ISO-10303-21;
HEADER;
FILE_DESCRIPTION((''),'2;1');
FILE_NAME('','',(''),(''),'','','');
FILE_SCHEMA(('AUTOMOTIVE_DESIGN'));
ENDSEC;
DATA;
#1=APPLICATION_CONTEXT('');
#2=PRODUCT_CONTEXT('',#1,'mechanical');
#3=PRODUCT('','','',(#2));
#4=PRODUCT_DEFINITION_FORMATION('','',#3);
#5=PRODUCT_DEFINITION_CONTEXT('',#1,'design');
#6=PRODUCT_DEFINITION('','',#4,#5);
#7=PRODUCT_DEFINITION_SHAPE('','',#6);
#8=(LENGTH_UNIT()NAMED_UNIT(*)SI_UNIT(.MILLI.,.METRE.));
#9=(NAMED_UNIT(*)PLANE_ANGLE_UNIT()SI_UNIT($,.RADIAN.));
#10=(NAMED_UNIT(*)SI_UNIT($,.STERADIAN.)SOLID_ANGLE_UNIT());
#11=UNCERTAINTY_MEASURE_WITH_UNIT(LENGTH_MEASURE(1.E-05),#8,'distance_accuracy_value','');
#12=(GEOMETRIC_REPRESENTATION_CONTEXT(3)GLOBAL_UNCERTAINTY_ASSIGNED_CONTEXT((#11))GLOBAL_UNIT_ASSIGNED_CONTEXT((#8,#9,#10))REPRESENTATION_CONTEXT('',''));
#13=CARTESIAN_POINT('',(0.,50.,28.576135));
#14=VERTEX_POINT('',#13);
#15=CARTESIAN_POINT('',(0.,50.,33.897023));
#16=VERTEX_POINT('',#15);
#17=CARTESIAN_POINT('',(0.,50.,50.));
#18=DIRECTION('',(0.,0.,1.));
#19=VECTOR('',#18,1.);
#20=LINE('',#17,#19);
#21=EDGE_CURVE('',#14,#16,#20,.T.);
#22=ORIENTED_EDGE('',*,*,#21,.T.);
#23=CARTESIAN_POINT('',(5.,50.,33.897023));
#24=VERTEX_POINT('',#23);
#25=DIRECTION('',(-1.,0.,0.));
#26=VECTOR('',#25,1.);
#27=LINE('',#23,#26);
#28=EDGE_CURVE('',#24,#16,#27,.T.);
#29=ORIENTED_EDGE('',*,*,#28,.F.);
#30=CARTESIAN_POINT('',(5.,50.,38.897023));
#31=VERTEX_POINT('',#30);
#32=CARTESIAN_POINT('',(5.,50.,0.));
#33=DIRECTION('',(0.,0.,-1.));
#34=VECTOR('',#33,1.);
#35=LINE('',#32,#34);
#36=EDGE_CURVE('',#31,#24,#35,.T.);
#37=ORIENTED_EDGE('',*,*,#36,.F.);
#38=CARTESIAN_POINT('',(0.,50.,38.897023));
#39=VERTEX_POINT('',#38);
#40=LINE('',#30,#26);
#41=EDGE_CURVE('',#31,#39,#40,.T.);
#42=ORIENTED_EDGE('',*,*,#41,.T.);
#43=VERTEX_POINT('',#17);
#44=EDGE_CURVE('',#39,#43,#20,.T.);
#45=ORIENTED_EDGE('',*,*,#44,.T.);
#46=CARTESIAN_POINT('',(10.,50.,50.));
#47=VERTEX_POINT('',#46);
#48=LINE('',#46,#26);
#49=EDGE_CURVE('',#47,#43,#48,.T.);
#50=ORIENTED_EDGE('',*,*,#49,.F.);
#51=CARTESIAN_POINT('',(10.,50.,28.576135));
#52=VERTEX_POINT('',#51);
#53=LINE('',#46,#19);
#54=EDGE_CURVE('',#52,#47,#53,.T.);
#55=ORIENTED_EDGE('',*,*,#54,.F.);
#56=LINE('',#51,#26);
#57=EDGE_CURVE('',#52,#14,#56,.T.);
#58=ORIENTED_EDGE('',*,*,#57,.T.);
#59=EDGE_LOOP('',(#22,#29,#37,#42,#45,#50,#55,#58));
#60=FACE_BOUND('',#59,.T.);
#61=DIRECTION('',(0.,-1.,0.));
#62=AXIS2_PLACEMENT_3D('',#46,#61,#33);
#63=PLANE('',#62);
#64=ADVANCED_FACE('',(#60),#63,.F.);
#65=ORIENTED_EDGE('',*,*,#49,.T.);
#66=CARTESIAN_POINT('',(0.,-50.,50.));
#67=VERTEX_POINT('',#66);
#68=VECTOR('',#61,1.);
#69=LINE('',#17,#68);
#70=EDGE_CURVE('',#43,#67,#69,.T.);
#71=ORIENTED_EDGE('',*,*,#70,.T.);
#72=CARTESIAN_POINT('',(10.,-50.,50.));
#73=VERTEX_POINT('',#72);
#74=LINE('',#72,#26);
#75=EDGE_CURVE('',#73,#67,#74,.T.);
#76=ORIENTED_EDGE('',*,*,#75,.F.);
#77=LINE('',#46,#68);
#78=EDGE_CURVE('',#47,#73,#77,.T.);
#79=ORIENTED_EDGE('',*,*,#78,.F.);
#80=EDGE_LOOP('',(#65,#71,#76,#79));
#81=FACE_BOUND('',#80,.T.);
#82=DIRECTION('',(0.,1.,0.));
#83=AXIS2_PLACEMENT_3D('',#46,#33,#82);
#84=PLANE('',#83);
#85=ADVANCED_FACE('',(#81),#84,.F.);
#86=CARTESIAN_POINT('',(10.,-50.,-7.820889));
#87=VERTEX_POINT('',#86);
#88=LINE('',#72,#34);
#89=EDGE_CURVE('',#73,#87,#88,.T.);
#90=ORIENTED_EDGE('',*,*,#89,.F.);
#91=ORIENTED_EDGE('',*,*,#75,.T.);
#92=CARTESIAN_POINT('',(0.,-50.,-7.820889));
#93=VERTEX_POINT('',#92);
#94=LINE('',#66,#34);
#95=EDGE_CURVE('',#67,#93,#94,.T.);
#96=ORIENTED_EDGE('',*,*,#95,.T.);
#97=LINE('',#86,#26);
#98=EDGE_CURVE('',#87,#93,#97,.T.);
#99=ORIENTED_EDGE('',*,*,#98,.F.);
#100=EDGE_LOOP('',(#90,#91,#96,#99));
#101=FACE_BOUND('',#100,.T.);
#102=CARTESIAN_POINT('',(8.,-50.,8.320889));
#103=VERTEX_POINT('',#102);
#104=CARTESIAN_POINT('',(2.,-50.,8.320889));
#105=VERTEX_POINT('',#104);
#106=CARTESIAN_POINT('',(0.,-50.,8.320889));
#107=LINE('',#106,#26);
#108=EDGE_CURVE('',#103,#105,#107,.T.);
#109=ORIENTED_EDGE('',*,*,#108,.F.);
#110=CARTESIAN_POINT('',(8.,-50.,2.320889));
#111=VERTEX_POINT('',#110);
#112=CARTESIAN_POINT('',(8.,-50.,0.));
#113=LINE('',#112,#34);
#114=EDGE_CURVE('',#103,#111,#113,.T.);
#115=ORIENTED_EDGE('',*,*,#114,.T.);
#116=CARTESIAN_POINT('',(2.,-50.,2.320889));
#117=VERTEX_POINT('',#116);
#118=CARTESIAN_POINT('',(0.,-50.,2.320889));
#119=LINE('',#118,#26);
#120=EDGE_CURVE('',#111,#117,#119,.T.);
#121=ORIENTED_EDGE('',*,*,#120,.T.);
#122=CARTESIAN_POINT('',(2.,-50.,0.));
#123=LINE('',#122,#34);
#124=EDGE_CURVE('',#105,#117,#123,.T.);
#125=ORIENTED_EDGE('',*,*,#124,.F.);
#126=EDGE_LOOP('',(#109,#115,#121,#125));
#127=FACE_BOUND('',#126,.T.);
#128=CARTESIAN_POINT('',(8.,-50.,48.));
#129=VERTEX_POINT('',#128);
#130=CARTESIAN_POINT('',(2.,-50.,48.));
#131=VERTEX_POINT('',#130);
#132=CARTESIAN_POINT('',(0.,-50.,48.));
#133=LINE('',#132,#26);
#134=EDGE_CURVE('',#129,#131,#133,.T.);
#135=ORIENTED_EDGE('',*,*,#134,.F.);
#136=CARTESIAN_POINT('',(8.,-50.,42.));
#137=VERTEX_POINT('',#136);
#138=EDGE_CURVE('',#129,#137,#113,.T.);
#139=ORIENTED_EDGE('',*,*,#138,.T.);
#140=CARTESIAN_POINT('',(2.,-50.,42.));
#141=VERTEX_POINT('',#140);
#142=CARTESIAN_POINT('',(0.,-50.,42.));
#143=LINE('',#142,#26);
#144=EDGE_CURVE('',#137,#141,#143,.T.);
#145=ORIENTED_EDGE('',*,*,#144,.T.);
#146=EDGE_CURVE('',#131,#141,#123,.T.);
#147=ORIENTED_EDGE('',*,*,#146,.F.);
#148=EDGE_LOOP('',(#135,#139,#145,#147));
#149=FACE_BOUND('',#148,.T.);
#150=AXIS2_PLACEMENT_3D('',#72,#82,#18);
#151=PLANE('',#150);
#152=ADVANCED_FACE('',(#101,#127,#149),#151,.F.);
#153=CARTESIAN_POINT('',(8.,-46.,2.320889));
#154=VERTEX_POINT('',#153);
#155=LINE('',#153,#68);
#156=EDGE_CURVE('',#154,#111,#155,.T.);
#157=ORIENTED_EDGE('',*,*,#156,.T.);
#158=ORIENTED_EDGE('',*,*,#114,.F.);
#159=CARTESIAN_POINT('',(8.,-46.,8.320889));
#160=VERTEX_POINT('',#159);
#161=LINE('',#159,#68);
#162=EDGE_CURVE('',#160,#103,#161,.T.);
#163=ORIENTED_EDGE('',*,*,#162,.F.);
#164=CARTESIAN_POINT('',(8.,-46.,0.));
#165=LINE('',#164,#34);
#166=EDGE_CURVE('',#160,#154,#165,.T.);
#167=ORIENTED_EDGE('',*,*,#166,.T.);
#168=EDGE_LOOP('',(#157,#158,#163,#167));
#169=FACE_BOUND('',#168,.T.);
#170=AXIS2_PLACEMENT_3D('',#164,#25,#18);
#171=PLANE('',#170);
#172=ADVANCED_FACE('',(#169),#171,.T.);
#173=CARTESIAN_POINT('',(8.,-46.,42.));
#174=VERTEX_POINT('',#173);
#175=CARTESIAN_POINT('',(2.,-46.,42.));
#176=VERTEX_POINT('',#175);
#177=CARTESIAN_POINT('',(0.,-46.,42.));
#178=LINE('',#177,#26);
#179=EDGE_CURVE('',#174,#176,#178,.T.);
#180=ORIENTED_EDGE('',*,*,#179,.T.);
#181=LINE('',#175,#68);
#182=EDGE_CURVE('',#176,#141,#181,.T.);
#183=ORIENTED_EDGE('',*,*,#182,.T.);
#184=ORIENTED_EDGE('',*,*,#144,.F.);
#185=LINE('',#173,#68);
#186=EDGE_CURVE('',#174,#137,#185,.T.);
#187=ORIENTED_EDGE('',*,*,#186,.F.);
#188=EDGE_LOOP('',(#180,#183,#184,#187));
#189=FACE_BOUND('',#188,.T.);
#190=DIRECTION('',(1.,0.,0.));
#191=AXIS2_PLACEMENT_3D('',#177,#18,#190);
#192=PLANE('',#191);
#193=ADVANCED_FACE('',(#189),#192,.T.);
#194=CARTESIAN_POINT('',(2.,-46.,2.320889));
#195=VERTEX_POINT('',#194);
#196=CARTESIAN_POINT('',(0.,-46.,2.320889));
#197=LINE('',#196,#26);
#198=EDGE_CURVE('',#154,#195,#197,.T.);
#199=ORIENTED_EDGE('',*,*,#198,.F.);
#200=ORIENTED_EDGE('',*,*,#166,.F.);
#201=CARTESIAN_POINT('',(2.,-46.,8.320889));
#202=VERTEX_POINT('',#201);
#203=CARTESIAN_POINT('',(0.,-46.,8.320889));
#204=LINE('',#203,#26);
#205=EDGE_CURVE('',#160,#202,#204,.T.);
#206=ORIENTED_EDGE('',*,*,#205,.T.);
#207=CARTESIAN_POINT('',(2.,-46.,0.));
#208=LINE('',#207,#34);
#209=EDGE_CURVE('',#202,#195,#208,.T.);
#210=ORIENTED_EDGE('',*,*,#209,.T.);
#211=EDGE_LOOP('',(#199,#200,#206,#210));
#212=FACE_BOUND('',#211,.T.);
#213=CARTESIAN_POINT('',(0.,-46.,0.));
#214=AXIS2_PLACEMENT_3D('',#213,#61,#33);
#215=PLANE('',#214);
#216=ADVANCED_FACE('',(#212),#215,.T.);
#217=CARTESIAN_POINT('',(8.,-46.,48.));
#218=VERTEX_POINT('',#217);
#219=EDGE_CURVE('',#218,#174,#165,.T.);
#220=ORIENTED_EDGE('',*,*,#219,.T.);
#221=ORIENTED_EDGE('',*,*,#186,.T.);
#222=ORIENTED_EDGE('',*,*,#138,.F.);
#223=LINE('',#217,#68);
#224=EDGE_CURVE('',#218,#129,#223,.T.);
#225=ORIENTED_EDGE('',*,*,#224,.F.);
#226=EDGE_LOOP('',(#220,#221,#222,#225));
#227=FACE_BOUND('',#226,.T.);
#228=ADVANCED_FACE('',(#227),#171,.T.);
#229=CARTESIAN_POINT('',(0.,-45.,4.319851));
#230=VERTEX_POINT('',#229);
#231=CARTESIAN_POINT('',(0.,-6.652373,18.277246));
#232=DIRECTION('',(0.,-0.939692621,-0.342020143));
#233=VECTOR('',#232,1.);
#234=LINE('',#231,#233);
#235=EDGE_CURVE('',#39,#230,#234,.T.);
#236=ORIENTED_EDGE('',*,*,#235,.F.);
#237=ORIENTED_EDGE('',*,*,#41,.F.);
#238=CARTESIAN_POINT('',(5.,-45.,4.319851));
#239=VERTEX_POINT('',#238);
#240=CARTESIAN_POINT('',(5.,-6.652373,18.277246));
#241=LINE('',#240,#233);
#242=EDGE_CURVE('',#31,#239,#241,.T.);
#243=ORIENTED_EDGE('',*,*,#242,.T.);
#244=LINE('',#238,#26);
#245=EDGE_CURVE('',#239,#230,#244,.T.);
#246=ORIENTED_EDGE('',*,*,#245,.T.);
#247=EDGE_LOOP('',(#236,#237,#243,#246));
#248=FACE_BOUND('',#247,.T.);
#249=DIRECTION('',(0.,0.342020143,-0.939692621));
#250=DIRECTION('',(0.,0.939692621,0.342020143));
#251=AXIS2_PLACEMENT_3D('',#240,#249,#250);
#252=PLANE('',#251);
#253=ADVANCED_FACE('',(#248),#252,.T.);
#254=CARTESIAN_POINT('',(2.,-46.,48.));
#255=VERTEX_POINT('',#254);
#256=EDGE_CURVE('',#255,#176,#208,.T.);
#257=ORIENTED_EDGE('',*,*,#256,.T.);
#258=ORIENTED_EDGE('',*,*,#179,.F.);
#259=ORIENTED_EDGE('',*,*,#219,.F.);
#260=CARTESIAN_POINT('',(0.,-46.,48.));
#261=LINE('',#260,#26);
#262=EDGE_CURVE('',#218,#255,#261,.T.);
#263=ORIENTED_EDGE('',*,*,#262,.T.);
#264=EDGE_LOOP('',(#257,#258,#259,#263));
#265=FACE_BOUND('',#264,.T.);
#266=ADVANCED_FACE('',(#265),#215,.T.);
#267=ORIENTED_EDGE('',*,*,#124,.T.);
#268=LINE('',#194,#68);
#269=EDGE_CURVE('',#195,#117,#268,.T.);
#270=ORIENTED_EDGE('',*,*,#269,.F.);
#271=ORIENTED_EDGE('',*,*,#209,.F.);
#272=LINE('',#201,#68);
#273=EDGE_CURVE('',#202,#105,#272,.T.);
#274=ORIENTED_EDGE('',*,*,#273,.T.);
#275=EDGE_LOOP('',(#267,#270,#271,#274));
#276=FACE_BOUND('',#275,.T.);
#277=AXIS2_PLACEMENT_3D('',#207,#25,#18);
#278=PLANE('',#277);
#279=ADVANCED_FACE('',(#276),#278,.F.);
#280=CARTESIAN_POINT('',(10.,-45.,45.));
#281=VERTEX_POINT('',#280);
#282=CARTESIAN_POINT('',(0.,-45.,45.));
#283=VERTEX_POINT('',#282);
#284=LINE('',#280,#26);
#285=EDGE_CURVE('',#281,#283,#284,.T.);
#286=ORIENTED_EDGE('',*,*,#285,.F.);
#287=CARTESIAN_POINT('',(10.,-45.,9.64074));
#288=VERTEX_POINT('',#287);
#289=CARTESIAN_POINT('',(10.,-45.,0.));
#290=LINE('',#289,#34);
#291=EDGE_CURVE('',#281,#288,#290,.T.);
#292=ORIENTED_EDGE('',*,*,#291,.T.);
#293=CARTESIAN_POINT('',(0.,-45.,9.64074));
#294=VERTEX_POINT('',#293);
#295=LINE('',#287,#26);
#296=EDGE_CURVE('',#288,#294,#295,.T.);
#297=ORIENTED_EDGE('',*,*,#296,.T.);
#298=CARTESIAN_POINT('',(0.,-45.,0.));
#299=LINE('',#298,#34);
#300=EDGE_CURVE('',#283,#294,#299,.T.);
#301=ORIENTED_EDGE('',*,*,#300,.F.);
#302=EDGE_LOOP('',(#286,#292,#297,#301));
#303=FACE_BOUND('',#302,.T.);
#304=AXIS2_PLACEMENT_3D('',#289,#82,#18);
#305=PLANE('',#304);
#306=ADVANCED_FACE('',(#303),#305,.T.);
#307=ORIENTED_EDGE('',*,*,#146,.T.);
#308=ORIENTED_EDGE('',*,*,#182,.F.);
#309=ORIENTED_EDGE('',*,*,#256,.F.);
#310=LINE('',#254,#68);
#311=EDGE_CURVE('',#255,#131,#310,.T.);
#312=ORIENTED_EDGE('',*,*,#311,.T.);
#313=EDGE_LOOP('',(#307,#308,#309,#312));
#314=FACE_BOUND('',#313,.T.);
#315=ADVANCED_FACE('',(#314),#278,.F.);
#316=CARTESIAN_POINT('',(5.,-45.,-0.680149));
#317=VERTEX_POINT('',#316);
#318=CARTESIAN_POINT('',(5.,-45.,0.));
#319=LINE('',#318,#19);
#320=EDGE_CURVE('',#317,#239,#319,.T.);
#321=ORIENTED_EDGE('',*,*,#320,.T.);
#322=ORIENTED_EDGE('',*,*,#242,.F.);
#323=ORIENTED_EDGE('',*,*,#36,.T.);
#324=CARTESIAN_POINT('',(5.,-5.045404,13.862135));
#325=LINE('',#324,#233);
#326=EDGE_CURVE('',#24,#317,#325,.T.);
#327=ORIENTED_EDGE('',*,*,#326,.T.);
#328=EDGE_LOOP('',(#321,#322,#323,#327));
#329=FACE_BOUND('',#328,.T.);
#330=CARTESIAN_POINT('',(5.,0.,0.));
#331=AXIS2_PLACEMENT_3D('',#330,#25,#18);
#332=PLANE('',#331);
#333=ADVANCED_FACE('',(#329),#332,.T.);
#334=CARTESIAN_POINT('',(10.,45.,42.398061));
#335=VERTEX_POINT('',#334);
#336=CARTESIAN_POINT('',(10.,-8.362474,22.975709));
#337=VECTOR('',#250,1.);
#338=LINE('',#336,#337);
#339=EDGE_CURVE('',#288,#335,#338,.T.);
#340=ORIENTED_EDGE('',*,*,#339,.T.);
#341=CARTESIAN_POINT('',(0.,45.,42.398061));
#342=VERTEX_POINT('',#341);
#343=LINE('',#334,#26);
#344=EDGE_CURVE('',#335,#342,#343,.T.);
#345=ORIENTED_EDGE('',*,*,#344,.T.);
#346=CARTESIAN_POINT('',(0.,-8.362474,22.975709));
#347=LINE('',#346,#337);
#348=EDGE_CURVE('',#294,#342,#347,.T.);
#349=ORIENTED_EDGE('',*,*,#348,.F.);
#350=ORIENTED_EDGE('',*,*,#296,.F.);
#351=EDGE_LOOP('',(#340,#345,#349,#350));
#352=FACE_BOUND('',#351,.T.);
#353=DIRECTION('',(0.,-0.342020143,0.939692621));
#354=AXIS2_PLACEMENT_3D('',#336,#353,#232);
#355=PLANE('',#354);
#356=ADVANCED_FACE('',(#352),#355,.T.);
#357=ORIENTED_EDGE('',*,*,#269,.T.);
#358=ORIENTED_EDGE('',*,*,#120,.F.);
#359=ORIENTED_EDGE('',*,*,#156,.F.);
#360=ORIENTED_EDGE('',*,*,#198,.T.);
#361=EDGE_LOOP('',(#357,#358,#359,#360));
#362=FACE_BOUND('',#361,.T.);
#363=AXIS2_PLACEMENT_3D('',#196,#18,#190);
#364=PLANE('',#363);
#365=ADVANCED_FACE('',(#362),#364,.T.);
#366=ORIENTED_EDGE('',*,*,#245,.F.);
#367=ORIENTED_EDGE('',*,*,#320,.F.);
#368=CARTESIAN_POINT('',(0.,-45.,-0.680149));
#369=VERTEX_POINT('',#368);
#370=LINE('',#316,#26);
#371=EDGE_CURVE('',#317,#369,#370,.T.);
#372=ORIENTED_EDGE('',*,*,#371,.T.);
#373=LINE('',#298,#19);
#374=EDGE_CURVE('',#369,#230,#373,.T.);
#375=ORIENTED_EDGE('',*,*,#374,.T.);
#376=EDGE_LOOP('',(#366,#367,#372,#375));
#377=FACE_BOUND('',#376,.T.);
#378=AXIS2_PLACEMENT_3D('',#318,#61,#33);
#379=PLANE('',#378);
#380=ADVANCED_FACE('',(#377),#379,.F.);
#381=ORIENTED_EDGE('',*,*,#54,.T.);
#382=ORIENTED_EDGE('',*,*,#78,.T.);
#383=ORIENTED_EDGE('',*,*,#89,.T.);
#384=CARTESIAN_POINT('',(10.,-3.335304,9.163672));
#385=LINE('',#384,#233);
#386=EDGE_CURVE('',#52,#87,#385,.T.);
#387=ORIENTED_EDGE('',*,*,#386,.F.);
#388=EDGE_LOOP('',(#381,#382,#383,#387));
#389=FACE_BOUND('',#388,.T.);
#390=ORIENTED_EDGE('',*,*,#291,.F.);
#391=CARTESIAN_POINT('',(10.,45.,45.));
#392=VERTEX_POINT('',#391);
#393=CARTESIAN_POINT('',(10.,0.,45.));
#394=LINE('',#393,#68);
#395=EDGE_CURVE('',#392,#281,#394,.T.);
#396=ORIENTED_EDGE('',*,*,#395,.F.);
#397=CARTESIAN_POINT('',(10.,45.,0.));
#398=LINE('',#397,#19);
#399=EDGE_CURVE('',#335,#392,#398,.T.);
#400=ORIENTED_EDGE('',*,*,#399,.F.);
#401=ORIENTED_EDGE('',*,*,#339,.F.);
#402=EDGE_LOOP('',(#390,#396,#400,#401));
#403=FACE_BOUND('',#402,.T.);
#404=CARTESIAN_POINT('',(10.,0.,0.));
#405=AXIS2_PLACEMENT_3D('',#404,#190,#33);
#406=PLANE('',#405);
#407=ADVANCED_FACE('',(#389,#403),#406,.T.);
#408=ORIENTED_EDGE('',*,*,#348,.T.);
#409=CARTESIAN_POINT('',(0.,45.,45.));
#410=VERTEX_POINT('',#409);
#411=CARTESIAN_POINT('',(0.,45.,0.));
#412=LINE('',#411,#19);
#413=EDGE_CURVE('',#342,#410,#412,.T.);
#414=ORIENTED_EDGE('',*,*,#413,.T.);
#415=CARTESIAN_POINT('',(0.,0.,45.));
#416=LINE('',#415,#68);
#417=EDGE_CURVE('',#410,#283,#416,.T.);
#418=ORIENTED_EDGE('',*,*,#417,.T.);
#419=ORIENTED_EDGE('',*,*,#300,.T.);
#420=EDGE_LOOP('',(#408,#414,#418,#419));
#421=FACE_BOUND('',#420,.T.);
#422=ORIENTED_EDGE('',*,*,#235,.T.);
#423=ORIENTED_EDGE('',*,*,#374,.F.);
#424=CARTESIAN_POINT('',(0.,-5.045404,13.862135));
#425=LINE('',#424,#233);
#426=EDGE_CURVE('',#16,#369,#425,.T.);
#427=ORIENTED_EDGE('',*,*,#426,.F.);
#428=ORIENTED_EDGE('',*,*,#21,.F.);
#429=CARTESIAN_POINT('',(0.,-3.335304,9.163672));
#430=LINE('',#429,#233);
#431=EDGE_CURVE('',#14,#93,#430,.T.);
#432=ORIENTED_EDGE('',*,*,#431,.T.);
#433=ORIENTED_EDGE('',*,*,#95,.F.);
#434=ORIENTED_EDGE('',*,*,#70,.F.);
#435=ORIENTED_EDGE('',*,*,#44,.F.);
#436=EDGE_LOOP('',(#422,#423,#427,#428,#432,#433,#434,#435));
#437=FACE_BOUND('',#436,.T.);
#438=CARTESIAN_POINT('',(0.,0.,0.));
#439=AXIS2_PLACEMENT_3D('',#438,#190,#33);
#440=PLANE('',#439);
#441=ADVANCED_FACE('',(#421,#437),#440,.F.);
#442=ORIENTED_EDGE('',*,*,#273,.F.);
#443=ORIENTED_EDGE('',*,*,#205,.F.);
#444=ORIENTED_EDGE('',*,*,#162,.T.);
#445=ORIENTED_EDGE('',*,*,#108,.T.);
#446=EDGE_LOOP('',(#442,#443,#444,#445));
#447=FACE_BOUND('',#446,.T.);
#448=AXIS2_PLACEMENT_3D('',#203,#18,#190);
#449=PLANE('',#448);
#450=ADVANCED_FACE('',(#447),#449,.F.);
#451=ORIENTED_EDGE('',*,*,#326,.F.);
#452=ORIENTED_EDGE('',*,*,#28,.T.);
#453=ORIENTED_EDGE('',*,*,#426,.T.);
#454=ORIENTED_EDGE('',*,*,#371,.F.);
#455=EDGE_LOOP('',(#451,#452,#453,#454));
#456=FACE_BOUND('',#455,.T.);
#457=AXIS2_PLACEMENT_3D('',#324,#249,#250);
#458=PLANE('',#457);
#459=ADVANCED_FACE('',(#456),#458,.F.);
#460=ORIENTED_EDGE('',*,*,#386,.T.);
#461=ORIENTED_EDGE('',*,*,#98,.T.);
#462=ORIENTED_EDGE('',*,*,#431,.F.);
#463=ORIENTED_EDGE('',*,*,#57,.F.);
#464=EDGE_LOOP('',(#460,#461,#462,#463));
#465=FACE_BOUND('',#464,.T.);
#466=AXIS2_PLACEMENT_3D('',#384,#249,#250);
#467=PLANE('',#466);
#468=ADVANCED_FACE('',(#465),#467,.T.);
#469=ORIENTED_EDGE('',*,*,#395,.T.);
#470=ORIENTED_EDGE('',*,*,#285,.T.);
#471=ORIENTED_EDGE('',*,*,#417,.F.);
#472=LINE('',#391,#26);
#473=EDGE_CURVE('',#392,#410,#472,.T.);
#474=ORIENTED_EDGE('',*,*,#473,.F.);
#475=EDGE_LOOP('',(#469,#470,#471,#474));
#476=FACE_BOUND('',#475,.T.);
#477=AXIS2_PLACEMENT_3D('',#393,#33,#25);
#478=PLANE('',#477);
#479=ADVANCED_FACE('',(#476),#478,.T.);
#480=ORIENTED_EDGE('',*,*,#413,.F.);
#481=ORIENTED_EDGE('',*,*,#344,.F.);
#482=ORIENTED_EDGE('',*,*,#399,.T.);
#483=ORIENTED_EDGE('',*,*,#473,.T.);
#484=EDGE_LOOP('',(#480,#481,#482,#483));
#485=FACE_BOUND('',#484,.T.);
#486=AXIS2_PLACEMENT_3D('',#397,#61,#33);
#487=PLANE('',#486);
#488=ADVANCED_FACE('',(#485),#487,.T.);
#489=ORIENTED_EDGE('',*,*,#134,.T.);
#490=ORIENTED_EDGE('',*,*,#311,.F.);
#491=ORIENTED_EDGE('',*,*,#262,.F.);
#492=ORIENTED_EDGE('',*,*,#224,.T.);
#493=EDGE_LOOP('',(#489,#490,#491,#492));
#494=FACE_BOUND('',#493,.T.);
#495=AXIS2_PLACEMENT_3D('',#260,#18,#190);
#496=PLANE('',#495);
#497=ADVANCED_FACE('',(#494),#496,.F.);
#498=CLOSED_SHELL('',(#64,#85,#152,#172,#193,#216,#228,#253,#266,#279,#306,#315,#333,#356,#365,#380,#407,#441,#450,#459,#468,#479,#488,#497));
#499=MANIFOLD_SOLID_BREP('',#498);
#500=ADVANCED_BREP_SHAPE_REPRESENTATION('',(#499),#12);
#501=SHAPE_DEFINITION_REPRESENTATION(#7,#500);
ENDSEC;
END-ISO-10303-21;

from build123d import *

# Parameters (mm, degrees)
SKETCH1_W           = 100
SKETCH1_H           = 100
BOSS_EXTRUDE1_DEPTH = 10
CUT_EXTRUDE1_DEPTH  = 10
CUT_EXTRUDE2_DEPTH  = 5
SKETCH4_W           = 6
SKETCH4_H           = 6
SKETCH4_W_2         = 3
SKETCH4_H_2         = 3
CUT_EXTRUDE3_DEPTH  = 4
CUT_EXTRUDE4_DEPTH  = 10


with BuildPart() as part:
    # Sketch1 → Boss-Extrude1 (new body)
    with BuildSketch(Plane(origin=(0, 0, 0), x_dir=(0, 0, -1), z_dir=(1, 0, 0))):
        Rectangle(SKETCH1_W, SKETCH1_H)
    extrude(amount=BOSS_EXTRUDE1_DEPTH)

    # Sketch2 → Cut-Extrude1 (cut)
    with BuildSketch(Plane.ZY):
        Polygon((42.398061118, 45), (45, 45), (45, -45), (9.640740034, -45), align=None)
    extrude(amount=-CUT_EXTRUDE1_DEPTH, mode=Mode.SUBTRACT)

    # Sketch2<3> → Cut-Extrude2 (cut)
    with BuildSketch(Plane.ZY):
        Polygon((36.397023427, 50), (33.897023427, 50), (-0.680148829, -45), (4.319851171, -45), (38.897023427, 50), align=None)
    extrude(amount=-CUT_EXTRUDE2_DEPTH, mode=Mode.SUBTRACT)

    # Sketch4 → Cut-Extrude3 (cut)
    with BuildSketch(Plane.XZ.offset(50)):
        with Locations((5, -45)):
            Rectangle(SKETCH4_W, SKETCH4_H)
        with Locations((5, 5.32088886)):
            Rectangle(SKETCH4_W, SKETCH4_H)
        Polygon((8, 42), (8, 45), (5, 45), (5, 48), (2, 48), (2, 42), align=None)
        with Locations((6.5, 46.5)):
            Rectangle(SKETCH4_W_2, SKETCH4_H_2)
        with Locations((6.5, 3.82088886)):
            Rectangle(SKETCH4_W_2, SKETCH4_H_2)
        with Locations((6.5, -46.5)):
            Rectangle(SKETCH4_W_2, SKETCH4_H_2)
    extrude(amount=-CUT_EXTRUDE3_DEPTH, mode=Mode.SUBTRACT)

    # Sketch5 → Cut-Extrude4 (cut)
    with BuildSketch(Plane.ZY):
        Polygon((28.576134564, 50), (-50, 50), (-50, -50), (-7.820888862, -50), (-6.001037691, -45), (26.756283393, 45), align=None)
    extrude(amount=-CUT_EXTRUDE4_DEPTH, mode=Mode.SUBTRACT)


solid = part.part
